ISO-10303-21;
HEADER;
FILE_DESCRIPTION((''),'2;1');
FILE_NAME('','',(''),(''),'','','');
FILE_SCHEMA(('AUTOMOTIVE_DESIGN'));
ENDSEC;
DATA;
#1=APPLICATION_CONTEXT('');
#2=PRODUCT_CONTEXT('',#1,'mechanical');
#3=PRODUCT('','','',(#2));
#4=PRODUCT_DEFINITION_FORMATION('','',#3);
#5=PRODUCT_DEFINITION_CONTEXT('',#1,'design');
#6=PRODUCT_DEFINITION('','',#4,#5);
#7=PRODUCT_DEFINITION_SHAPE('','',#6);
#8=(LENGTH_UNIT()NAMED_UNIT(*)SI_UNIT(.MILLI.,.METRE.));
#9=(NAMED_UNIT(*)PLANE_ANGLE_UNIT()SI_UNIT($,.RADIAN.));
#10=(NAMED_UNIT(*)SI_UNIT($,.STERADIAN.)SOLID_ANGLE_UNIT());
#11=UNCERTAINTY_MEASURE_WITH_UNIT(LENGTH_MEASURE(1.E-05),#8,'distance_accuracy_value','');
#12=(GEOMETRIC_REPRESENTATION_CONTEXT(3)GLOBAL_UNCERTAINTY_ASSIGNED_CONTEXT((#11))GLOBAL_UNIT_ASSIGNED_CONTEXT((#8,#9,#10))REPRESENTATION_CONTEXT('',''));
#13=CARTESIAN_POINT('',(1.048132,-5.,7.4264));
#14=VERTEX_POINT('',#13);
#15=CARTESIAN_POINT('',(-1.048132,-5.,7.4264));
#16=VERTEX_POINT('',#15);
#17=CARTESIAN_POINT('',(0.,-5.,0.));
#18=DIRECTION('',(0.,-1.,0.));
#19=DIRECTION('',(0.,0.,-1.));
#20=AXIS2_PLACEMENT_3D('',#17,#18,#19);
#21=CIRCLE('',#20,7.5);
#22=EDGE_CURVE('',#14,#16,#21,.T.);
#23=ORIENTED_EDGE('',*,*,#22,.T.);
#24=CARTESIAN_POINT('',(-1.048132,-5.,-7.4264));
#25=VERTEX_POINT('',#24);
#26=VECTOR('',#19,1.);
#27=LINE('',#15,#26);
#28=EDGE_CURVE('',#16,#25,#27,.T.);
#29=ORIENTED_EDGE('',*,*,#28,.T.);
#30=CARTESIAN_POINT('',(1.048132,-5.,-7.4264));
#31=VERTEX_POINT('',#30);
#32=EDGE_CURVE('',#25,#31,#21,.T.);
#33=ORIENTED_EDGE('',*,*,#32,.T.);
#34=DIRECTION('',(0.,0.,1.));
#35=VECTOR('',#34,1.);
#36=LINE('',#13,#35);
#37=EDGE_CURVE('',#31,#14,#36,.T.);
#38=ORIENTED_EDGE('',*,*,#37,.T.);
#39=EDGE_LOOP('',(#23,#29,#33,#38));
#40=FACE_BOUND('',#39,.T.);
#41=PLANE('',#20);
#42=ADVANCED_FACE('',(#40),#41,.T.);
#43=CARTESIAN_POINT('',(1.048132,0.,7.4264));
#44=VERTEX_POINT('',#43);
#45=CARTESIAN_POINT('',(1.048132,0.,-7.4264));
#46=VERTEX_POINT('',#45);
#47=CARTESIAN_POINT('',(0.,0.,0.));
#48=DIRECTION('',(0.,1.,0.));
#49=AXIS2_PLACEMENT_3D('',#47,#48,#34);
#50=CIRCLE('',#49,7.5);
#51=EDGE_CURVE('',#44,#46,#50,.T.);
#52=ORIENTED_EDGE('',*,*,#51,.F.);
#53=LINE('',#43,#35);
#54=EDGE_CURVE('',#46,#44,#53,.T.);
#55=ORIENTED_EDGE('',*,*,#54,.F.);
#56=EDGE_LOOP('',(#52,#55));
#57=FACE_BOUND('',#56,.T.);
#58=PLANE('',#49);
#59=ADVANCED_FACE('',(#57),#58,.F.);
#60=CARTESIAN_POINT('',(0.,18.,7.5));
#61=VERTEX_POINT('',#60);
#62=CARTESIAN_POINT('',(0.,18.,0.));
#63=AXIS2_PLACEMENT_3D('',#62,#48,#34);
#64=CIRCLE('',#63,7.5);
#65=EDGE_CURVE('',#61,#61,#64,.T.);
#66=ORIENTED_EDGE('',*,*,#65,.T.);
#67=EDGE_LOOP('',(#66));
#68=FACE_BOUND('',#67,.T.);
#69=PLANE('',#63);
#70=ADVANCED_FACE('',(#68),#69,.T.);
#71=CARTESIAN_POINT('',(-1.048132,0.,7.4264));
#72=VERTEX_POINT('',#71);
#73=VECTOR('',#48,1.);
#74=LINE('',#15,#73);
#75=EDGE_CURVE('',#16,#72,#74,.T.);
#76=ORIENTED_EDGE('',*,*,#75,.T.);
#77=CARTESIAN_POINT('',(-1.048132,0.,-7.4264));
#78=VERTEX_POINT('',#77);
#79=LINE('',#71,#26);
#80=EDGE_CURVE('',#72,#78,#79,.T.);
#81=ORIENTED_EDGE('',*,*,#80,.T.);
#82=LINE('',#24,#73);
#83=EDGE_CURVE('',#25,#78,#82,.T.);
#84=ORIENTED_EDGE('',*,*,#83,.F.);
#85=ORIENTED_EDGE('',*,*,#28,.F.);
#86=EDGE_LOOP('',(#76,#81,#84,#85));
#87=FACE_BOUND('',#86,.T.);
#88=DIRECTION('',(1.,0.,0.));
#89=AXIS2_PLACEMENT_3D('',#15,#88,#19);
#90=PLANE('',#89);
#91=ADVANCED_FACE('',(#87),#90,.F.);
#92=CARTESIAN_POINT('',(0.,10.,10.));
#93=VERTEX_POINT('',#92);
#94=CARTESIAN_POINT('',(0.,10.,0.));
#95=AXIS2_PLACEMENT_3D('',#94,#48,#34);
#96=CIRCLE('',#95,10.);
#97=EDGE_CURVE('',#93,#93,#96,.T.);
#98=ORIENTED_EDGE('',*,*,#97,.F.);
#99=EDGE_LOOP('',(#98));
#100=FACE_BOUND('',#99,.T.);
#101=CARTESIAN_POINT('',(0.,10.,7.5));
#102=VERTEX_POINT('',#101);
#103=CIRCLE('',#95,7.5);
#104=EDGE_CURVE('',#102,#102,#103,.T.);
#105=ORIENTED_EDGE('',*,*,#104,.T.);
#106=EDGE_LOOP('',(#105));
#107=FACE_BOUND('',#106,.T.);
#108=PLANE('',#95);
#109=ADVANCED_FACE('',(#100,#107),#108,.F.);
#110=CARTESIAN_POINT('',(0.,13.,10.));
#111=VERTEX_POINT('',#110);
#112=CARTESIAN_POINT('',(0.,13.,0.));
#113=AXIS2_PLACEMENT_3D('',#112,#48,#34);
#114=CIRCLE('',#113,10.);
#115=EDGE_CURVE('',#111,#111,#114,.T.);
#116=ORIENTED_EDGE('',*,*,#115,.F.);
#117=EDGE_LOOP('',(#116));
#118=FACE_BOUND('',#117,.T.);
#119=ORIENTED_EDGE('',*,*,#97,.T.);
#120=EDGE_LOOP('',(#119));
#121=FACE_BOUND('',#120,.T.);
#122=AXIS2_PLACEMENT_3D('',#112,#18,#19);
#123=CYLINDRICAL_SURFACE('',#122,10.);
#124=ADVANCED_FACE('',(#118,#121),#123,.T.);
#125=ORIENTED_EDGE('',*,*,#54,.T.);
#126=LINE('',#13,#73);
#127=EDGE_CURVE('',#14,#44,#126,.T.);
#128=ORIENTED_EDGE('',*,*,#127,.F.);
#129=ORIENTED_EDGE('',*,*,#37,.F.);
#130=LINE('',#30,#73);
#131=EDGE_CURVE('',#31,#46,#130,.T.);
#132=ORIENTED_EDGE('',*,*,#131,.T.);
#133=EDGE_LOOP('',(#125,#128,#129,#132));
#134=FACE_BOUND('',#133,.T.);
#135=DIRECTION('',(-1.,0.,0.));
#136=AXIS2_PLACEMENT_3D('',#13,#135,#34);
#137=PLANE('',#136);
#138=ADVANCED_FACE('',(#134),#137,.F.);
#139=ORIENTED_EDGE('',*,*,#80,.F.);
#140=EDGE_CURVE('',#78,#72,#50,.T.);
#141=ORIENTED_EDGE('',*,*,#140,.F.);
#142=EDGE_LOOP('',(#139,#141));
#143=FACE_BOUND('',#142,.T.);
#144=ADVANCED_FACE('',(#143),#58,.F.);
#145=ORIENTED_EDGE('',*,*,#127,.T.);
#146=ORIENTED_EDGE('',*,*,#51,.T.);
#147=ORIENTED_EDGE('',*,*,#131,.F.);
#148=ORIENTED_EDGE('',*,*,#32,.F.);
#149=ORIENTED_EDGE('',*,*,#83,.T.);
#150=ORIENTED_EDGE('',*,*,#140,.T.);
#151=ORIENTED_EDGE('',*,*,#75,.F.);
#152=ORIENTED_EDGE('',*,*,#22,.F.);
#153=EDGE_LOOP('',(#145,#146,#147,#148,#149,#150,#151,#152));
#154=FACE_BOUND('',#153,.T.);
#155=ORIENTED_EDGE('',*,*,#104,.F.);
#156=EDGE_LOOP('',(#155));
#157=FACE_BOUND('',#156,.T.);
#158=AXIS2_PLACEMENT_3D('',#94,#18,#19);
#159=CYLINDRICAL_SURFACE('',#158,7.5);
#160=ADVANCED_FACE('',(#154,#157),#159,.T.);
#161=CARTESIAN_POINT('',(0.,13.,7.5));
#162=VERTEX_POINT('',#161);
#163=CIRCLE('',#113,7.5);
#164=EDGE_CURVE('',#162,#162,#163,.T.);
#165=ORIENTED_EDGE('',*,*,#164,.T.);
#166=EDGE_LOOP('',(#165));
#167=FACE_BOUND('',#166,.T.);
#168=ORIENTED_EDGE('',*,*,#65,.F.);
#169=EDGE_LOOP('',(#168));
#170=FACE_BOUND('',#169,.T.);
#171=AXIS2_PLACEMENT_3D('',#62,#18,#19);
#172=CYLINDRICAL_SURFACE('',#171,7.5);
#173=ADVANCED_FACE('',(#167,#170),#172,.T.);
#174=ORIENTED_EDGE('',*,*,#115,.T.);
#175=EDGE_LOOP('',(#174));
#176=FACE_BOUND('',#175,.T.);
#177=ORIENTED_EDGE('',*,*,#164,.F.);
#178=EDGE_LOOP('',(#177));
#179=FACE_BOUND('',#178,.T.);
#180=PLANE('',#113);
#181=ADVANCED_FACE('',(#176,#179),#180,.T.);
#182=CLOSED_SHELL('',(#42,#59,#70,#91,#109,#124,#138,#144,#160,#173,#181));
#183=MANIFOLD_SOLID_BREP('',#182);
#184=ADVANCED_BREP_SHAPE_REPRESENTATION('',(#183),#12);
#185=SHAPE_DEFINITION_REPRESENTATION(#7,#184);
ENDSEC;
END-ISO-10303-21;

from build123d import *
from build123d.topology import SkipClean

# Parameters (mm, degrees)
SKETCH_1_R      = 7.5
EXTRUDE_1_DEPTH = 10
SKETCH_2_R      = 10
EXTRUDE_2_DEPTH = 3
SKETCH_3_R      = 7.5
EXTRUDE_3_DEPTH = 5
EXTRUDE_START   = 5
EXTRUDE_4_DEPTH = 5


with BuildPart() as part:
    # 草图1 → 凸台-拉伸1 (new body)
    with BuildSketch(Plane(origin=(0, 0, 0), x_dir=(1, 0, 0), z_dir=(0, 1, 0))):
        with Locations(Location((0, 0, 0), (0, 0, 270))):
            Circle(SKETCH_1_R)
    extrude(amount=EXTRUDE_1_DEPTH)

    # 草图2 → 凸台-拉伸2 (add)
    with BuildSketch(Plane(origin=(0, 10, 0), x_dir=(1, 0, 0), z_dir=(0, 1, 0))):
        with Locations(Location((0, 0, 0), (0, 0, 270))):
            Circle(SKETCH_2_R)
    extrude(amount=EXTRUDE_2_DEPTH)

    # 草图3 → 凸台-拉伸3 (add)
    with BuildSketch(Plane(origin=(0, 13, 0), x_dir=(1, 0, 0), z_dir=(0, 1, 0))):
        with Locations(Location((0, 0, 0), (0, 0, 270))):
            Circle(SKETCH_3_R)
    extrude(amount=EXTRUDE_3_DEPTH)

    # 草图4 → 凸台-拉伸4 (add)
    with SkipClean():  # the faces are left unmerged after this step: merging them gives an invalid solid
        with BuildSketch(Plane.XZ.offset(EXTRUDE_START)):
            with BuildLine():
                Line((-1.048132204, 7.426400129), (-1.048132204, -7.426400129))
                ThreePointArc((-1.048132204, -7.426400129), (0, -7.5), (1.048132204, -7.426400129))
                Line((1.048132204, -7.426400129), (1.048132204, 7.426400129))
                ThreePointArc((1.048132204, 7.426400129), (0, 7.5), (-1.048132204, 7.426400129))
            make_face()
        extrude(amount=-EXTRUDE_4_DEPTH)


solid = part.part
